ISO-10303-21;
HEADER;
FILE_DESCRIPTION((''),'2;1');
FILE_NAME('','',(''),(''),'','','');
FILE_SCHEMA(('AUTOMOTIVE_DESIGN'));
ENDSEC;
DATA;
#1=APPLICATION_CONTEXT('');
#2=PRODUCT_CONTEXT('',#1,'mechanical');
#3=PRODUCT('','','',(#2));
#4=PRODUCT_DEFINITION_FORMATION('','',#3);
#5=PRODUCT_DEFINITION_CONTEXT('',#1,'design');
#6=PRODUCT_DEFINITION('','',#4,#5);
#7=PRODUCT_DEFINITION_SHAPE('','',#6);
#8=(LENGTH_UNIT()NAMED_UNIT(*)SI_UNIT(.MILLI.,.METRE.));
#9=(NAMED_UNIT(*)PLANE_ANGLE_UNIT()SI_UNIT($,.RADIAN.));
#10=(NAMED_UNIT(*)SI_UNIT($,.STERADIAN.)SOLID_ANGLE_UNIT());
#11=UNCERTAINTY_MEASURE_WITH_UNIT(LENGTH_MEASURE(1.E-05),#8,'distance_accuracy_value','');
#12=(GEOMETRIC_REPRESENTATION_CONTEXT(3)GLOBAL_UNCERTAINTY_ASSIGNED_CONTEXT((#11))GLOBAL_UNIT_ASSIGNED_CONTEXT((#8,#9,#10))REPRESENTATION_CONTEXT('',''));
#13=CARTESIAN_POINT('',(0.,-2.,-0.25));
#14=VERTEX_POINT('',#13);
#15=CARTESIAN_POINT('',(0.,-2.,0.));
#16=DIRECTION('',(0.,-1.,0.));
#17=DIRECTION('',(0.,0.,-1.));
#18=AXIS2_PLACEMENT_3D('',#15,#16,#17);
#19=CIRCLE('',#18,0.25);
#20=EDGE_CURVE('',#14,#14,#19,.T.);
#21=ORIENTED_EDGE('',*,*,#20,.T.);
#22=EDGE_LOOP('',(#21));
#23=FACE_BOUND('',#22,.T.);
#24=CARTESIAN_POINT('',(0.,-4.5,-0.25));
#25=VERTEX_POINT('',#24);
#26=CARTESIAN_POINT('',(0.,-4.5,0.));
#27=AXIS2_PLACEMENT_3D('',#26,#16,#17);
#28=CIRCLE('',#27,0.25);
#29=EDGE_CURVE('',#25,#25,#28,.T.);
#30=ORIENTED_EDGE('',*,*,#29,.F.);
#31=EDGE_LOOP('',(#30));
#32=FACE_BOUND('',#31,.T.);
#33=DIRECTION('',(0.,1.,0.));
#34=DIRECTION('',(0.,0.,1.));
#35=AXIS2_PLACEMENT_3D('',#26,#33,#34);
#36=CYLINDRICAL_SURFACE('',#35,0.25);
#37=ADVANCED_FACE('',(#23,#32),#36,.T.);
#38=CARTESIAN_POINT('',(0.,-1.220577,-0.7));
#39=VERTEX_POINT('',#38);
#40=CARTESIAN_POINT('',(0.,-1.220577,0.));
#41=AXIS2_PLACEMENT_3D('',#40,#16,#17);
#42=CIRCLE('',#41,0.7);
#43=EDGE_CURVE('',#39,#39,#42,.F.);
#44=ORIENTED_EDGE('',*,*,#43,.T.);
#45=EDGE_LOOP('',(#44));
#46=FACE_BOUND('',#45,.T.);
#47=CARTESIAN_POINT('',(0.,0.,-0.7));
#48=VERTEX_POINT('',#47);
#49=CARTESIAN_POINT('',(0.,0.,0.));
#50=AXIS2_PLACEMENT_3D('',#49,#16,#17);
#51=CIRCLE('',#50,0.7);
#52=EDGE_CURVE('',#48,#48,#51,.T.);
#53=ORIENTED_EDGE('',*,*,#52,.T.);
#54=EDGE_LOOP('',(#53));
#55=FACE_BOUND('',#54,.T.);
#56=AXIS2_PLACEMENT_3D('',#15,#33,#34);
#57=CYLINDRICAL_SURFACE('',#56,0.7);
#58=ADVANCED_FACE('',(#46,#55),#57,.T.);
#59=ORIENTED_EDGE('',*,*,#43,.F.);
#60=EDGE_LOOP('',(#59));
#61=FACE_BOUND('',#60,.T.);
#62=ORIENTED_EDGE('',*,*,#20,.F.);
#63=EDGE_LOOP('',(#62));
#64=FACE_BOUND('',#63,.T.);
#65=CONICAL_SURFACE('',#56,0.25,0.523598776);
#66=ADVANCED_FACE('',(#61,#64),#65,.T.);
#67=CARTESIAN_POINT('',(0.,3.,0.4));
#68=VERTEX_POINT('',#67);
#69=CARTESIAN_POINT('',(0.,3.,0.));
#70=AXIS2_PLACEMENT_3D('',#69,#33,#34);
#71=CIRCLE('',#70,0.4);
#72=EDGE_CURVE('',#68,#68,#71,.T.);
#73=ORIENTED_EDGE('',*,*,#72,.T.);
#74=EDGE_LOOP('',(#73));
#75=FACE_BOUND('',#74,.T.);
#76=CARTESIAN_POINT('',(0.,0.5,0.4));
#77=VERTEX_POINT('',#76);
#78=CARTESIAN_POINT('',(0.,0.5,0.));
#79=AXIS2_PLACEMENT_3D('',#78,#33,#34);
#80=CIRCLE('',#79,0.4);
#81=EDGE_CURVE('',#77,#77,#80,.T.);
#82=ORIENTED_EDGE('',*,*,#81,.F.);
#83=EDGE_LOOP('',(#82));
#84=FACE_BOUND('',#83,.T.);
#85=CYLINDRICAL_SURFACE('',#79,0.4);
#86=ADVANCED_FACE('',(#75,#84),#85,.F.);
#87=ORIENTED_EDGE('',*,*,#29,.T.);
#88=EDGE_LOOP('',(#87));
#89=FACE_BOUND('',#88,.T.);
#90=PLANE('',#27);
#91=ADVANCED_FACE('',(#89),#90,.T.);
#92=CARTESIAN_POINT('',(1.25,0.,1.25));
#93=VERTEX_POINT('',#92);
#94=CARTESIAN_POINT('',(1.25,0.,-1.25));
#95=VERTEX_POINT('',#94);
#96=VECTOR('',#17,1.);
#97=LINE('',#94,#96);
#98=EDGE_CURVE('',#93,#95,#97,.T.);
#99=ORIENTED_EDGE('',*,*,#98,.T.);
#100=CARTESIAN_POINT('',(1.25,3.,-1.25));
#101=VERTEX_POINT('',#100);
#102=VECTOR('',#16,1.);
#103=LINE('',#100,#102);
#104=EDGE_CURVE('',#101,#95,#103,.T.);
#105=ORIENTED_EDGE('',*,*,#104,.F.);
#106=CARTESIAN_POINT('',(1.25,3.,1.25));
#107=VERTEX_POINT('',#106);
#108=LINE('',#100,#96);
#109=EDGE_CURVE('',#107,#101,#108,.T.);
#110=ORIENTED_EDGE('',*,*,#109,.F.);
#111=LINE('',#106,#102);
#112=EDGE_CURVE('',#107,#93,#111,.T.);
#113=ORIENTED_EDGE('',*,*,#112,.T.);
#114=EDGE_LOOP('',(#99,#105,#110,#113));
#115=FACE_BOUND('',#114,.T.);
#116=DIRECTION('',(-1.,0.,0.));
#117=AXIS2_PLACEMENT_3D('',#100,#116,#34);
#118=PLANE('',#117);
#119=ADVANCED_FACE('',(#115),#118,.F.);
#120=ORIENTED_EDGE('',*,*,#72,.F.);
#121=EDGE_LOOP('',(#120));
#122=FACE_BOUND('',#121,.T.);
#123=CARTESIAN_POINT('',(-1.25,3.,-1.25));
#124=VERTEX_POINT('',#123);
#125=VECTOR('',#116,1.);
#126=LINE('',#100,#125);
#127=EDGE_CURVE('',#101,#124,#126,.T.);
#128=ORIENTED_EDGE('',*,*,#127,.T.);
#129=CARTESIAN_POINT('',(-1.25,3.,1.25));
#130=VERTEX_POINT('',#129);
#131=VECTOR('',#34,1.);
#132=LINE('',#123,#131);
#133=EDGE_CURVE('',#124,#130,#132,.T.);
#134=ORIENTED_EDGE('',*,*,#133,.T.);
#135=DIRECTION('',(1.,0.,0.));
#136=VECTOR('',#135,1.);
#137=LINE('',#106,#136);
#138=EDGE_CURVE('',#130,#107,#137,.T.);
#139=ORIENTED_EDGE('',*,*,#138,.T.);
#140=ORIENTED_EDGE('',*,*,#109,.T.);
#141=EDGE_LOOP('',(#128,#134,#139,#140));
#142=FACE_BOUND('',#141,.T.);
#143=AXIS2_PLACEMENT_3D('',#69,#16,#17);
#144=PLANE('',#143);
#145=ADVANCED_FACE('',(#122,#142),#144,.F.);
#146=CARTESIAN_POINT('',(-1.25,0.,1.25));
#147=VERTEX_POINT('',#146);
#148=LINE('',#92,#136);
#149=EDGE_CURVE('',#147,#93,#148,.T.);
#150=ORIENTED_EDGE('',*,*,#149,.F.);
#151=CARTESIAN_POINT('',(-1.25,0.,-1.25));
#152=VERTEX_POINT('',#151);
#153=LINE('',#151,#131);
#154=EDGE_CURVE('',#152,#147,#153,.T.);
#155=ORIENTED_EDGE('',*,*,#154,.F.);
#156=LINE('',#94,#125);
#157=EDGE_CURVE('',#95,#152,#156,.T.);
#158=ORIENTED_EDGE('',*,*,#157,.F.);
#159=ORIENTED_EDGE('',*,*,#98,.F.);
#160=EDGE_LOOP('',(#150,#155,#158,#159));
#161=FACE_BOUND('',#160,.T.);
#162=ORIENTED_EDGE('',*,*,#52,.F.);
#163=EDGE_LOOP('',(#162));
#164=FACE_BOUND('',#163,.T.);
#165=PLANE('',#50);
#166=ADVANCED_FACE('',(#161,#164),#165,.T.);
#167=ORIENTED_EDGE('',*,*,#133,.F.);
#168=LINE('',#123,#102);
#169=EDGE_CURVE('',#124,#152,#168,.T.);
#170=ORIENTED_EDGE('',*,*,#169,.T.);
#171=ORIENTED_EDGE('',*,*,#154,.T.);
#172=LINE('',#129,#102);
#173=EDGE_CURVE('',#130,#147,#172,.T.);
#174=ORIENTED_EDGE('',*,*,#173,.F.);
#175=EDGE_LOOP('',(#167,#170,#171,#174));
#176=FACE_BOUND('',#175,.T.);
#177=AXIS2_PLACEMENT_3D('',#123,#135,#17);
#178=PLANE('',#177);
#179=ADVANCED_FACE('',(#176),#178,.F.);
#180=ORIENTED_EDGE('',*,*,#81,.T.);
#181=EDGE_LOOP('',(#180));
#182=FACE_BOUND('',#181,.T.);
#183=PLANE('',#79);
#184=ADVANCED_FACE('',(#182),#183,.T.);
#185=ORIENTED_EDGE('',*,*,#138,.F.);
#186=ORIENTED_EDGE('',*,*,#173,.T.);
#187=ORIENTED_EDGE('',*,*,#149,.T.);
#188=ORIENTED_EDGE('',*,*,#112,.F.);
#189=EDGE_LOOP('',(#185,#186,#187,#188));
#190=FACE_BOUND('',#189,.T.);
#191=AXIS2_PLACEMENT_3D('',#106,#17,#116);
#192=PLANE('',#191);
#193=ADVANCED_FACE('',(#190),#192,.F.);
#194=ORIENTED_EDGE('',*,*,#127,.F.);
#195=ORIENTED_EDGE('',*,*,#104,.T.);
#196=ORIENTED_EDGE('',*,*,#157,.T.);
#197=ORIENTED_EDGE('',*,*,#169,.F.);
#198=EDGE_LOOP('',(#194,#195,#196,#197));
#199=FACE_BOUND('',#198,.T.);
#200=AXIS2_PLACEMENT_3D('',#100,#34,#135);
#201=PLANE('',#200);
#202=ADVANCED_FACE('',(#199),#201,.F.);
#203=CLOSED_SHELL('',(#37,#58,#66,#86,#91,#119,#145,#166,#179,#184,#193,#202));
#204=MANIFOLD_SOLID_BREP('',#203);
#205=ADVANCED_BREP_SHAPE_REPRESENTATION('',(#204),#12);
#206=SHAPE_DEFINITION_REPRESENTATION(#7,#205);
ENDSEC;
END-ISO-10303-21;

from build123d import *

# Parameters (mm, degrees)
SKETCH_1_W          = 2.5
SKETCH_1_H          = 2.5
EXTRUDE_1_DEPTH     = 3
SKETCH_2_R          = 0.7
EXTRUDE_2_DEPTH     = 2
CHAMFER_1_SIZE      = 0.779422863
CHAMFER_1_SIZE2     = 0.45
SKETCH_3_R          = 0.25
EXTRUDE_3_DEPTH     = 2.5
SKETCH_4_R          = 0.4
CUT_EXTRUDE_1_DEPTH = 2.5


with BuildPart() as part:
    # Эскиз1 → Бобышка-Вытянуть1 (new body)
    with BuildSketch(Plane(origin=(0, 0, 0), x_dir=(1, 0, 0), z_dir=(0, 1, 0))):
        Rectangle(SKETCH_1_W, SKETCH_1_H)
    extrude(amount=EXTRUDE_1_DEPTH)

    # Эскиз2 → Бобышка-Вытянуть2 (add)
    with BuildSketch(Plane.XZ):
        with Locations(Location((0, 0, 0), (0, 0, 270))):
            Circle(SKETCH_2_R)
    extrude(amount=EXTRUDE_2_DEPTH)

    # Фаска1
    chamfer_1_edges = [part.edges().sort_by_distance(p)[0] for p in [
        (0, -2, 0.7),
    ]]
    chamfer_1_side = [part.faces().sort_by_distance(p)[0] for p in [
        (0, -1, 0.7),
    ]]
    chamfer(chamfer_1_edges, length=CHAMFER_1_SIZE, length2=CHAMFER_1_SIZE2, reference=chamfer_1_side[0])

    # Эскиз3 → Бобышка-Вытянуть3 (add)
    with BuildSketch(Plane.XZ.offset(2)):
        with Locations(Location((0, 0, 0), (0, 0, 270))):
            Circle(SKETCH_3_R)
    extrude(amount=EXTRUDE_3_DEPTH)

    # Эскиз4 → Вырез-Вытянуть1 (cut)
    with BuildSketch(Plane(origin=(0, 3, 0), x_dir=(1, 0, 0), z_dir=(0, 1, 0))):
        with Locations(Location((0, 0, 0), (0, 0, 270))):
            Circle(SKETCH_4_R)
    extrude(amount=-CUT_EXTRUDE_1_DEPTH, mode=Mode.SUBTRACT)


solid = part.part
